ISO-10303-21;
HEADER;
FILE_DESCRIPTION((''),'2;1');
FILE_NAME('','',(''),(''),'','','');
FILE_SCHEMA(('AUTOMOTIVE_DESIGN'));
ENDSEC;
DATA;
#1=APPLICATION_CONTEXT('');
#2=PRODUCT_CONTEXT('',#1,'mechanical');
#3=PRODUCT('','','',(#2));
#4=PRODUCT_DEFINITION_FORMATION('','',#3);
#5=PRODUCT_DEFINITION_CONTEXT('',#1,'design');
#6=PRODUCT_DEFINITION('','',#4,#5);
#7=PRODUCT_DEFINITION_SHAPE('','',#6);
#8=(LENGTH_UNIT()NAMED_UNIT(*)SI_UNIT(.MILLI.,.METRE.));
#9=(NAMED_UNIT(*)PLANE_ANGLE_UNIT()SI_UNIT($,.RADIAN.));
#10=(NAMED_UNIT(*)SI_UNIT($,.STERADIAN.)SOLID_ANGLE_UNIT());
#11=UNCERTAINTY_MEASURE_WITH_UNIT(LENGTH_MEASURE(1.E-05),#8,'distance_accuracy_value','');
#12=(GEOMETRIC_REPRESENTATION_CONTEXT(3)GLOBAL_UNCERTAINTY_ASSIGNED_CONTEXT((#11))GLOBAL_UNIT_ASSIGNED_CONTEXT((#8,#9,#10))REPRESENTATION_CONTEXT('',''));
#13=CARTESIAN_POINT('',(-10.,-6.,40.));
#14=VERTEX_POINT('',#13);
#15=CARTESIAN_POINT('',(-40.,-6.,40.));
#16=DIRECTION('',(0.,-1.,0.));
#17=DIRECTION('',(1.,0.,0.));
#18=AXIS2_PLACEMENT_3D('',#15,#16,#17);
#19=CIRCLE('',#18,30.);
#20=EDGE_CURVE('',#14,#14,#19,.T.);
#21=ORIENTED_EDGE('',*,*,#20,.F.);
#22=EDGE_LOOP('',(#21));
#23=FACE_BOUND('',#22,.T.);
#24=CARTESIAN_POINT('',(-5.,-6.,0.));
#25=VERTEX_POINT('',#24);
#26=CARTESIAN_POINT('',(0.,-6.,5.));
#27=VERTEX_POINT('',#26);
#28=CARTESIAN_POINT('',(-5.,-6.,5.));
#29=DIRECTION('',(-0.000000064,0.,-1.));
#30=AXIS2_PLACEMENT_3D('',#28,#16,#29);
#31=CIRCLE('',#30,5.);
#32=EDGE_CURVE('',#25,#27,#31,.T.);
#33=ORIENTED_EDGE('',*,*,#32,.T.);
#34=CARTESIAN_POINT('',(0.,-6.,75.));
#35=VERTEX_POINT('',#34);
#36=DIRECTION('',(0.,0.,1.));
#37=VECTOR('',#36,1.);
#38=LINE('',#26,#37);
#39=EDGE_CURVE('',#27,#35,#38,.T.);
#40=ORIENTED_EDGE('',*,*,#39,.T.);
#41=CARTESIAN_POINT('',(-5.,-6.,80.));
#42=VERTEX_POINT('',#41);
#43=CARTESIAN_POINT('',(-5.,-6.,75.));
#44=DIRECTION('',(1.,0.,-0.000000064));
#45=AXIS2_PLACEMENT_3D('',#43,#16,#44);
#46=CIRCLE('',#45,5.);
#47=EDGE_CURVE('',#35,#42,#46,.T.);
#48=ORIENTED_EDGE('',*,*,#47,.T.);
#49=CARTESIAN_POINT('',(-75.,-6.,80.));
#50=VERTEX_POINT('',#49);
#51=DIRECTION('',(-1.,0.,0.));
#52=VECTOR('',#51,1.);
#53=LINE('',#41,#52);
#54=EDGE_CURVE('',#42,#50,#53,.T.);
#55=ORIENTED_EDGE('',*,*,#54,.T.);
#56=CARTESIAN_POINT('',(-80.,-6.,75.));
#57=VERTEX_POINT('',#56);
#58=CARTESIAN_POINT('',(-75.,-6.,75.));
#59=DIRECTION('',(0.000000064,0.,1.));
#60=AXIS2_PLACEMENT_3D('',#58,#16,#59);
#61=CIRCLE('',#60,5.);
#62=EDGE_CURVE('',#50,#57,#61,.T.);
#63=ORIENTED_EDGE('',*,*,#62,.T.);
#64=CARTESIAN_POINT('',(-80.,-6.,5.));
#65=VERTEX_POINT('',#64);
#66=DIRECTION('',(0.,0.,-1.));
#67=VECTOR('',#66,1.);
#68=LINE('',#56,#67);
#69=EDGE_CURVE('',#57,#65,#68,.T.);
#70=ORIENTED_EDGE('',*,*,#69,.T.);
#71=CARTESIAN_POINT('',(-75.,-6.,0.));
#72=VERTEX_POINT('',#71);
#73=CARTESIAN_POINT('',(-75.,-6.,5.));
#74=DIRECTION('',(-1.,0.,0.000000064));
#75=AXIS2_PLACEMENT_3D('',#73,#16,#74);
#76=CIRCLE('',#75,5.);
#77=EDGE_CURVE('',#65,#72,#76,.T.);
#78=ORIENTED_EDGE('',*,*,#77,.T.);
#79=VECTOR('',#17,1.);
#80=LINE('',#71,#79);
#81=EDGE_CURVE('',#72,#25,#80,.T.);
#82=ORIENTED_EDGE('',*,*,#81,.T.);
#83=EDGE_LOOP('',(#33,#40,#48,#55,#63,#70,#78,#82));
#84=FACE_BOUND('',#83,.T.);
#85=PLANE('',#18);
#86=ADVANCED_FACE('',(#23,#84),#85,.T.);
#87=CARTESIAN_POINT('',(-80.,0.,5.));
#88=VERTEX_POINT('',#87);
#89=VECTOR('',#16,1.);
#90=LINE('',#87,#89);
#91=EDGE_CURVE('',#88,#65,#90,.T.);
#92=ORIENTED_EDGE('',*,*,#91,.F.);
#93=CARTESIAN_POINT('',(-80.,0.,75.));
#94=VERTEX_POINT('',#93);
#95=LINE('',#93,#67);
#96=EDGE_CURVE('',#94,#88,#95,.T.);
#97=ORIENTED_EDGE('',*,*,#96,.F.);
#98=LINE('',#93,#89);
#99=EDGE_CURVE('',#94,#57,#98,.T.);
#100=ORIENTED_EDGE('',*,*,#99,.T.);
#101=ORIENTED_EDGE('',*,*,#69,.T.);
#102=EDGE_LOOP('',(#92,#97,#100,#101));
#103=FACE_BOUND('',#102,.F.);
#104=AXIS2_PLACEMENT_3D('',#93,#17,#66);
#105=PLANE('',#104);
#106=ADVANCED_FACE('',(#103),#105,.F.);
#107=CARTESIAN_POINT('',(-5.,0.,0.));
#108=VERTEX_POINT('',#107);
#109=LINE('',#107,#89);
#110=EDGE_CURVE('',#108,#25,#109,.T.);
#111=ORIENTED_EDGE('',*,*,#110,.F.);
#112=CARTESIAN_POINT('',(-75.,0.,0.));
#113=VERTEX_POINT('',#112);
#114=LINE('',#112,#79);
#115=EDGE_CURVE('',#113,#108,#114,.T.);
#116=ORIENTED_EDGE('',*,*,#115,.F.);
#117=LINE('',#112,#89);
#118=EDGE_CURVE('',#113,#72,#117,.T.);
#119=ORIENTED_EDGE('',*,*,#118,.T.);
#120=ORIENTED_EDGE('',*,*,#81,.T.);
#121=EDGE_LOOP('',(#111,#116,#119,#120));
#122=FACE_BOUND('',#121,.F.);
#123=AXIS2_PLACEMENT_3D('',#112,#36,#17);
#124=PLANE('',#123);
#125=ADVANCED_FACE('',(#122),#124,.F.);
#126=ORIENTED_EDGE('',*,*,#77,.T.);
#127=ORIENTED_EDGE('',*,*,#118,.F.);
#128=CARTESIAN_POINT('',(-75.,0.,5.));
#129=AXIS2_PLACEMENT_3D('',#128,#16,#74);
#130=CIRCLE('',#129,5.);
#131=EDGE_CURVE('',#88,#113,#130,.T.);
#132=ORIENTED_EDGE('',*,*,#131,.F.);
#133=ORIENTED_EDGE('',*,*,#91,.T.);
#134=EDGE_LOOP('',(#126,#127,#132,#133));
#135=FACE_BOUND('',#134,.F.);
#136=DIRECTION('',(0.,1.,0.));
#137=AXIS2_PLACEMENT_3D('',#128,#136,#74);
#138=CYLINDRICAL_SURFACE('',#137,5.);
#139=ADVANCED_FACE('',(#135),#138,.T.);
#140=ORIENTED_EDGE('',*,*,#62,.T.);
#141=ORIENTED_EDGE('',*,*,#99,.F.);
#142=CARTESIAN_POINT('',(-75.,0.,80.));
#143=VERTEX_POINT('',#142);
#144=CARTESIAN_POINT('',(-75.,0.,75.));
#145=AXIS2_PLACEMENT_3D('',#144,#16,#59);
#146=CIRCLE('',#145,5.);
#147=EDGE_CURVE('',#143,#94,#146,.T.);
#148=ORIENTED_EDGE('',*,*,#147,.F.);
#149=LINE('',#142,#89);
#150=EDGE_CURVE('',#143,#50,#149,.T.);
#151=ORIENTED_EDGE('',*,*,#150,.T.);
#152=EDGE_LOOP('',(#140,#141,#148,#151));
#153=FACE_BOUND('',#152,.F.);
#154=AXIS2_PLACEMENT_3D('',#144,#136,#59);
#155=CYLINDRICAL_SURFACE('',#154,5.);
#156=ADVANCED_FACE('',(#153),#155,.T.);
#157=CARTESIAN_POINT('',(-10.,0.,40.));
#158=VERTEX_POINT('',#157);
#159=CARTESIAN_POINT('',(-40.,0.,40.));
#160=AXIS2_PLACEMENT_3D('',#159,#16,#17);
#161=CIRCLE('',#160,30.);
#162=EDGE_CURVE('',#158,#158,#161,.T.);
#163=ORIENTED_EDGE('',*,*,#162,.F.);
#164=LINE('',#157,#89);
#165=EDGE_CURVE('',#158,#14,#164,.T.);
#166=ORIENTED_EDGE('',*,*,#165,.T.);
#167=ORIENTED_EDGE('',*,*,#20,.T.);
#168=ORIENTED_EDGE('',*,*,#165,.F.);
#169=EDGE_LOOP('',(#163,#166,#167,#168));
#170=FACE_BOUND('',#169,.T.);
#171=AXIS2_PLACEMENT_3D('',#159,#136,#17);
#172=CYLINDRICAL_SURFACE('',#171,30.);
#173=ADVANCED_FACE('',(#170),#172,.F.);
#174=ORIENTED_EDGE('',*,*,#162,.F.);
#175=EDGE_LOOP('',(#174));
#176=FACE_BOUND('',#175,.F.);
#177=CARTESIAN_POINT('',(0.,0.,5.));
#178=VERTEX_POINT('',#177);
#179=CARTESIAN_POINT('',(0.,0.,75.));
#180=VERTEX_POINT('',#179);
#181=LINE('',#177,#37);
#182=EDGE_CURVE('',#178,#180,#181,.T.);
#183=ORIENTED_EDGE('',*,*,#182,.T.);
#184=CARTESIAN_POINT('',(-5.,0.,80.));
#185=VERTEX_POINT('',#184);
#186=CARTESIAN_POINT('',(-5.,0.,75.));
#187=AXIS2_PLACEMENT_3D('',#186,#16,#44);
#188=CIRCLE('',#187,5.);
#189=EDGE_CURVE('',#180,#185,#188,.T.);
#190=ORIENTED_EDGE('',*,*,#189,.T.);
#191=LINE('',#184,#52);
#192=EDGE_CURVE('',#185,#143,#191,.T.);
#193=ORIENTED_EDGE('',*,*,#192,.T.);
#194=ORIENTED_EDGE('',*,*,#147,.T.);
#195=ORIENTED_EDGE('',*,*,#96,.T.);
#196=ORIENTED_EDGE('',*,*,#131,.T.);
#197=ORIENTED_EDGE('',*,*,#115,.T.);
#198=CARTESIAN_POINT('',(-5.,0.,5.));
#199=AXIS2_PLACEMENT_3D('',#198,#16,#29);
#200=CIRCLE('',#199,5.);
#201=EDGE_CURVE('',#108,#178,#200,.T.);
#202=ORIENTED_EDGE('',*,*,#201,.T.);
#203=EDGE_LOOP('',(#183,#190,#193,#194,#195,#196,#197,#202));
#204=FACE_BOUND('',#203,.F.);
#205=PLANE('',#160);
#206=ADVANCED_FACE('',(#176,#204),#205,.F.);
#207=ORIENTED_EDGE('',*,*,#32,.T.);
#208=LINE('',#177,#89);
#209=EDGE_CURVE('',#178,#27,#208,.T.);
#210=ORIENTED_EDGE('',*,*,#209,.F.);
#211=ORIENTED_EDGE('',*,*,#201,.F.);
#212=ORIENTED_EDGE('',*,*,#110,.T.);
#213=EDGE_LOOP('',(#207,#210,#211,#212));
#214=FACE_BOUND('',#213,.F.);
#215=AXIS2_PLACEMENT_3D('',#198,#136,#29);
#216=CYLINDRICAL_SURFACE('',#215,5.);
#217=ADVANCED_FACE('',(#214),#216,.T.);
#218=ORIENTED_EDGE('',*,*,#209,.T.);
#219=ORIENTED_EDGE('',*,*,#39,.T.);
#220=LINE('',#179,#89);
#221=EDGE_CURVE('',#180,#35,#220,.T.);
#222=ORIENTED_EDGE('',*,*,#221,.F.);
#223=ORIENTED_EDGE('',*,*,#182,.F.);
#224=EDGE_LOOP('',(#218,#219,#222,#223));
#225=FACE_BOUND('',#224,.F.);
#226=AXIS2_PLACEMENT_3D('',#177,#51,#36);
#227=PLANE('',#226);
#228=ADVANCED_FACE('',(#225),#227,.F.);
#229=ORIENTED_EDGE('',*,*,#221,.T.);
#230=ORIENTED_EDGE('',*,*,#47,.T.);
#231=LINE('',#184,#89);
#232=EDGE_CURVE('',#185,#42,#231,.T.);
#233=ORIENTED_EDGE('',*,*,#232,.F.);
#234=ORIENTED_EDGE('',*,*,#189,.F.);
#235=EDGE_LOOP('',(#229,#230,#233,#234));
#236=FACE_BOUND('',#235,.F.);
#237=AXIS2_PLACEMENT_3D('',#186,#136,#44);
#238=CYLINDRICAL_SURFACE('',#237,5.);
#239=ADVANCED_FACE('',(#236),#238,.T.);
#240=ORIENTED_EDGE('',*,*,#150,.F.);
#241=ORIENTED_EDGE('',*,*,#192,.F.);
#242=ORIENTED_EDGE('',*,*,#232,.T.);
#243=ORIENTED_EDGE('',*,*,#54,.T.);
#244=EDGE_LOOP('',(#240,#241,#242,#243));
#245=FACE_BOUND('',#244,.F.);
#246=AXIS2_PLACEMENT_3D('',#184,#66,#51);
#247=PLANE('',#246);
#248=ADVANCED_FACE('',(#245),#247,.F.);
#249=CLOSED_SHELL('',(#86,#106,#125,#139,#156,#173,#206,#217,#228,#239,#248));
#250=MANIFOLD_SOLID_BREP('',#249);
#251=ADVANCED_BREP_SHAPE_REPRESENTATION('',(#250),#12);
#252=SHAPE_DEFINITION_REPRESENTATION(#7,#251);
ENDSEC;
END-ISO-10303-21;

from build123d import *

# Parameters (mm, degrees)
F0_R     = 30
F1_DEPTH = 6


with BuildPart() as f1:
    # F0 (on Front) → F1 (new body)
    with BuildSketch(Plane.XZ):
        with BuildLine():
            Line((-75, 0), (-5, 0))
            ThreePointArc((-5, 0), (-1.464466, 1.464466), (0, 5))
            Line((0, 5), (0, 75))
            ThreePointArc((0, 75), (-1.464466, 78.535534), (-5, 80))
            Line((-5, 80), (-75, 80))
            ThreePointArc((-75, 80), (-78.535534, 78.535534), (-80, 75))
            Line((-80, 75), (-80, 5))
            ThreePointArc((-80, 5), (-78.535534, 1.464466), (-75, 0))
        make_face()
        with Locations((-40, 40)):
            Circle(F0_R, mode=Mode.SUBTRACT)
    extrude(amount=F1_DEPTH)


solid = f1.part
